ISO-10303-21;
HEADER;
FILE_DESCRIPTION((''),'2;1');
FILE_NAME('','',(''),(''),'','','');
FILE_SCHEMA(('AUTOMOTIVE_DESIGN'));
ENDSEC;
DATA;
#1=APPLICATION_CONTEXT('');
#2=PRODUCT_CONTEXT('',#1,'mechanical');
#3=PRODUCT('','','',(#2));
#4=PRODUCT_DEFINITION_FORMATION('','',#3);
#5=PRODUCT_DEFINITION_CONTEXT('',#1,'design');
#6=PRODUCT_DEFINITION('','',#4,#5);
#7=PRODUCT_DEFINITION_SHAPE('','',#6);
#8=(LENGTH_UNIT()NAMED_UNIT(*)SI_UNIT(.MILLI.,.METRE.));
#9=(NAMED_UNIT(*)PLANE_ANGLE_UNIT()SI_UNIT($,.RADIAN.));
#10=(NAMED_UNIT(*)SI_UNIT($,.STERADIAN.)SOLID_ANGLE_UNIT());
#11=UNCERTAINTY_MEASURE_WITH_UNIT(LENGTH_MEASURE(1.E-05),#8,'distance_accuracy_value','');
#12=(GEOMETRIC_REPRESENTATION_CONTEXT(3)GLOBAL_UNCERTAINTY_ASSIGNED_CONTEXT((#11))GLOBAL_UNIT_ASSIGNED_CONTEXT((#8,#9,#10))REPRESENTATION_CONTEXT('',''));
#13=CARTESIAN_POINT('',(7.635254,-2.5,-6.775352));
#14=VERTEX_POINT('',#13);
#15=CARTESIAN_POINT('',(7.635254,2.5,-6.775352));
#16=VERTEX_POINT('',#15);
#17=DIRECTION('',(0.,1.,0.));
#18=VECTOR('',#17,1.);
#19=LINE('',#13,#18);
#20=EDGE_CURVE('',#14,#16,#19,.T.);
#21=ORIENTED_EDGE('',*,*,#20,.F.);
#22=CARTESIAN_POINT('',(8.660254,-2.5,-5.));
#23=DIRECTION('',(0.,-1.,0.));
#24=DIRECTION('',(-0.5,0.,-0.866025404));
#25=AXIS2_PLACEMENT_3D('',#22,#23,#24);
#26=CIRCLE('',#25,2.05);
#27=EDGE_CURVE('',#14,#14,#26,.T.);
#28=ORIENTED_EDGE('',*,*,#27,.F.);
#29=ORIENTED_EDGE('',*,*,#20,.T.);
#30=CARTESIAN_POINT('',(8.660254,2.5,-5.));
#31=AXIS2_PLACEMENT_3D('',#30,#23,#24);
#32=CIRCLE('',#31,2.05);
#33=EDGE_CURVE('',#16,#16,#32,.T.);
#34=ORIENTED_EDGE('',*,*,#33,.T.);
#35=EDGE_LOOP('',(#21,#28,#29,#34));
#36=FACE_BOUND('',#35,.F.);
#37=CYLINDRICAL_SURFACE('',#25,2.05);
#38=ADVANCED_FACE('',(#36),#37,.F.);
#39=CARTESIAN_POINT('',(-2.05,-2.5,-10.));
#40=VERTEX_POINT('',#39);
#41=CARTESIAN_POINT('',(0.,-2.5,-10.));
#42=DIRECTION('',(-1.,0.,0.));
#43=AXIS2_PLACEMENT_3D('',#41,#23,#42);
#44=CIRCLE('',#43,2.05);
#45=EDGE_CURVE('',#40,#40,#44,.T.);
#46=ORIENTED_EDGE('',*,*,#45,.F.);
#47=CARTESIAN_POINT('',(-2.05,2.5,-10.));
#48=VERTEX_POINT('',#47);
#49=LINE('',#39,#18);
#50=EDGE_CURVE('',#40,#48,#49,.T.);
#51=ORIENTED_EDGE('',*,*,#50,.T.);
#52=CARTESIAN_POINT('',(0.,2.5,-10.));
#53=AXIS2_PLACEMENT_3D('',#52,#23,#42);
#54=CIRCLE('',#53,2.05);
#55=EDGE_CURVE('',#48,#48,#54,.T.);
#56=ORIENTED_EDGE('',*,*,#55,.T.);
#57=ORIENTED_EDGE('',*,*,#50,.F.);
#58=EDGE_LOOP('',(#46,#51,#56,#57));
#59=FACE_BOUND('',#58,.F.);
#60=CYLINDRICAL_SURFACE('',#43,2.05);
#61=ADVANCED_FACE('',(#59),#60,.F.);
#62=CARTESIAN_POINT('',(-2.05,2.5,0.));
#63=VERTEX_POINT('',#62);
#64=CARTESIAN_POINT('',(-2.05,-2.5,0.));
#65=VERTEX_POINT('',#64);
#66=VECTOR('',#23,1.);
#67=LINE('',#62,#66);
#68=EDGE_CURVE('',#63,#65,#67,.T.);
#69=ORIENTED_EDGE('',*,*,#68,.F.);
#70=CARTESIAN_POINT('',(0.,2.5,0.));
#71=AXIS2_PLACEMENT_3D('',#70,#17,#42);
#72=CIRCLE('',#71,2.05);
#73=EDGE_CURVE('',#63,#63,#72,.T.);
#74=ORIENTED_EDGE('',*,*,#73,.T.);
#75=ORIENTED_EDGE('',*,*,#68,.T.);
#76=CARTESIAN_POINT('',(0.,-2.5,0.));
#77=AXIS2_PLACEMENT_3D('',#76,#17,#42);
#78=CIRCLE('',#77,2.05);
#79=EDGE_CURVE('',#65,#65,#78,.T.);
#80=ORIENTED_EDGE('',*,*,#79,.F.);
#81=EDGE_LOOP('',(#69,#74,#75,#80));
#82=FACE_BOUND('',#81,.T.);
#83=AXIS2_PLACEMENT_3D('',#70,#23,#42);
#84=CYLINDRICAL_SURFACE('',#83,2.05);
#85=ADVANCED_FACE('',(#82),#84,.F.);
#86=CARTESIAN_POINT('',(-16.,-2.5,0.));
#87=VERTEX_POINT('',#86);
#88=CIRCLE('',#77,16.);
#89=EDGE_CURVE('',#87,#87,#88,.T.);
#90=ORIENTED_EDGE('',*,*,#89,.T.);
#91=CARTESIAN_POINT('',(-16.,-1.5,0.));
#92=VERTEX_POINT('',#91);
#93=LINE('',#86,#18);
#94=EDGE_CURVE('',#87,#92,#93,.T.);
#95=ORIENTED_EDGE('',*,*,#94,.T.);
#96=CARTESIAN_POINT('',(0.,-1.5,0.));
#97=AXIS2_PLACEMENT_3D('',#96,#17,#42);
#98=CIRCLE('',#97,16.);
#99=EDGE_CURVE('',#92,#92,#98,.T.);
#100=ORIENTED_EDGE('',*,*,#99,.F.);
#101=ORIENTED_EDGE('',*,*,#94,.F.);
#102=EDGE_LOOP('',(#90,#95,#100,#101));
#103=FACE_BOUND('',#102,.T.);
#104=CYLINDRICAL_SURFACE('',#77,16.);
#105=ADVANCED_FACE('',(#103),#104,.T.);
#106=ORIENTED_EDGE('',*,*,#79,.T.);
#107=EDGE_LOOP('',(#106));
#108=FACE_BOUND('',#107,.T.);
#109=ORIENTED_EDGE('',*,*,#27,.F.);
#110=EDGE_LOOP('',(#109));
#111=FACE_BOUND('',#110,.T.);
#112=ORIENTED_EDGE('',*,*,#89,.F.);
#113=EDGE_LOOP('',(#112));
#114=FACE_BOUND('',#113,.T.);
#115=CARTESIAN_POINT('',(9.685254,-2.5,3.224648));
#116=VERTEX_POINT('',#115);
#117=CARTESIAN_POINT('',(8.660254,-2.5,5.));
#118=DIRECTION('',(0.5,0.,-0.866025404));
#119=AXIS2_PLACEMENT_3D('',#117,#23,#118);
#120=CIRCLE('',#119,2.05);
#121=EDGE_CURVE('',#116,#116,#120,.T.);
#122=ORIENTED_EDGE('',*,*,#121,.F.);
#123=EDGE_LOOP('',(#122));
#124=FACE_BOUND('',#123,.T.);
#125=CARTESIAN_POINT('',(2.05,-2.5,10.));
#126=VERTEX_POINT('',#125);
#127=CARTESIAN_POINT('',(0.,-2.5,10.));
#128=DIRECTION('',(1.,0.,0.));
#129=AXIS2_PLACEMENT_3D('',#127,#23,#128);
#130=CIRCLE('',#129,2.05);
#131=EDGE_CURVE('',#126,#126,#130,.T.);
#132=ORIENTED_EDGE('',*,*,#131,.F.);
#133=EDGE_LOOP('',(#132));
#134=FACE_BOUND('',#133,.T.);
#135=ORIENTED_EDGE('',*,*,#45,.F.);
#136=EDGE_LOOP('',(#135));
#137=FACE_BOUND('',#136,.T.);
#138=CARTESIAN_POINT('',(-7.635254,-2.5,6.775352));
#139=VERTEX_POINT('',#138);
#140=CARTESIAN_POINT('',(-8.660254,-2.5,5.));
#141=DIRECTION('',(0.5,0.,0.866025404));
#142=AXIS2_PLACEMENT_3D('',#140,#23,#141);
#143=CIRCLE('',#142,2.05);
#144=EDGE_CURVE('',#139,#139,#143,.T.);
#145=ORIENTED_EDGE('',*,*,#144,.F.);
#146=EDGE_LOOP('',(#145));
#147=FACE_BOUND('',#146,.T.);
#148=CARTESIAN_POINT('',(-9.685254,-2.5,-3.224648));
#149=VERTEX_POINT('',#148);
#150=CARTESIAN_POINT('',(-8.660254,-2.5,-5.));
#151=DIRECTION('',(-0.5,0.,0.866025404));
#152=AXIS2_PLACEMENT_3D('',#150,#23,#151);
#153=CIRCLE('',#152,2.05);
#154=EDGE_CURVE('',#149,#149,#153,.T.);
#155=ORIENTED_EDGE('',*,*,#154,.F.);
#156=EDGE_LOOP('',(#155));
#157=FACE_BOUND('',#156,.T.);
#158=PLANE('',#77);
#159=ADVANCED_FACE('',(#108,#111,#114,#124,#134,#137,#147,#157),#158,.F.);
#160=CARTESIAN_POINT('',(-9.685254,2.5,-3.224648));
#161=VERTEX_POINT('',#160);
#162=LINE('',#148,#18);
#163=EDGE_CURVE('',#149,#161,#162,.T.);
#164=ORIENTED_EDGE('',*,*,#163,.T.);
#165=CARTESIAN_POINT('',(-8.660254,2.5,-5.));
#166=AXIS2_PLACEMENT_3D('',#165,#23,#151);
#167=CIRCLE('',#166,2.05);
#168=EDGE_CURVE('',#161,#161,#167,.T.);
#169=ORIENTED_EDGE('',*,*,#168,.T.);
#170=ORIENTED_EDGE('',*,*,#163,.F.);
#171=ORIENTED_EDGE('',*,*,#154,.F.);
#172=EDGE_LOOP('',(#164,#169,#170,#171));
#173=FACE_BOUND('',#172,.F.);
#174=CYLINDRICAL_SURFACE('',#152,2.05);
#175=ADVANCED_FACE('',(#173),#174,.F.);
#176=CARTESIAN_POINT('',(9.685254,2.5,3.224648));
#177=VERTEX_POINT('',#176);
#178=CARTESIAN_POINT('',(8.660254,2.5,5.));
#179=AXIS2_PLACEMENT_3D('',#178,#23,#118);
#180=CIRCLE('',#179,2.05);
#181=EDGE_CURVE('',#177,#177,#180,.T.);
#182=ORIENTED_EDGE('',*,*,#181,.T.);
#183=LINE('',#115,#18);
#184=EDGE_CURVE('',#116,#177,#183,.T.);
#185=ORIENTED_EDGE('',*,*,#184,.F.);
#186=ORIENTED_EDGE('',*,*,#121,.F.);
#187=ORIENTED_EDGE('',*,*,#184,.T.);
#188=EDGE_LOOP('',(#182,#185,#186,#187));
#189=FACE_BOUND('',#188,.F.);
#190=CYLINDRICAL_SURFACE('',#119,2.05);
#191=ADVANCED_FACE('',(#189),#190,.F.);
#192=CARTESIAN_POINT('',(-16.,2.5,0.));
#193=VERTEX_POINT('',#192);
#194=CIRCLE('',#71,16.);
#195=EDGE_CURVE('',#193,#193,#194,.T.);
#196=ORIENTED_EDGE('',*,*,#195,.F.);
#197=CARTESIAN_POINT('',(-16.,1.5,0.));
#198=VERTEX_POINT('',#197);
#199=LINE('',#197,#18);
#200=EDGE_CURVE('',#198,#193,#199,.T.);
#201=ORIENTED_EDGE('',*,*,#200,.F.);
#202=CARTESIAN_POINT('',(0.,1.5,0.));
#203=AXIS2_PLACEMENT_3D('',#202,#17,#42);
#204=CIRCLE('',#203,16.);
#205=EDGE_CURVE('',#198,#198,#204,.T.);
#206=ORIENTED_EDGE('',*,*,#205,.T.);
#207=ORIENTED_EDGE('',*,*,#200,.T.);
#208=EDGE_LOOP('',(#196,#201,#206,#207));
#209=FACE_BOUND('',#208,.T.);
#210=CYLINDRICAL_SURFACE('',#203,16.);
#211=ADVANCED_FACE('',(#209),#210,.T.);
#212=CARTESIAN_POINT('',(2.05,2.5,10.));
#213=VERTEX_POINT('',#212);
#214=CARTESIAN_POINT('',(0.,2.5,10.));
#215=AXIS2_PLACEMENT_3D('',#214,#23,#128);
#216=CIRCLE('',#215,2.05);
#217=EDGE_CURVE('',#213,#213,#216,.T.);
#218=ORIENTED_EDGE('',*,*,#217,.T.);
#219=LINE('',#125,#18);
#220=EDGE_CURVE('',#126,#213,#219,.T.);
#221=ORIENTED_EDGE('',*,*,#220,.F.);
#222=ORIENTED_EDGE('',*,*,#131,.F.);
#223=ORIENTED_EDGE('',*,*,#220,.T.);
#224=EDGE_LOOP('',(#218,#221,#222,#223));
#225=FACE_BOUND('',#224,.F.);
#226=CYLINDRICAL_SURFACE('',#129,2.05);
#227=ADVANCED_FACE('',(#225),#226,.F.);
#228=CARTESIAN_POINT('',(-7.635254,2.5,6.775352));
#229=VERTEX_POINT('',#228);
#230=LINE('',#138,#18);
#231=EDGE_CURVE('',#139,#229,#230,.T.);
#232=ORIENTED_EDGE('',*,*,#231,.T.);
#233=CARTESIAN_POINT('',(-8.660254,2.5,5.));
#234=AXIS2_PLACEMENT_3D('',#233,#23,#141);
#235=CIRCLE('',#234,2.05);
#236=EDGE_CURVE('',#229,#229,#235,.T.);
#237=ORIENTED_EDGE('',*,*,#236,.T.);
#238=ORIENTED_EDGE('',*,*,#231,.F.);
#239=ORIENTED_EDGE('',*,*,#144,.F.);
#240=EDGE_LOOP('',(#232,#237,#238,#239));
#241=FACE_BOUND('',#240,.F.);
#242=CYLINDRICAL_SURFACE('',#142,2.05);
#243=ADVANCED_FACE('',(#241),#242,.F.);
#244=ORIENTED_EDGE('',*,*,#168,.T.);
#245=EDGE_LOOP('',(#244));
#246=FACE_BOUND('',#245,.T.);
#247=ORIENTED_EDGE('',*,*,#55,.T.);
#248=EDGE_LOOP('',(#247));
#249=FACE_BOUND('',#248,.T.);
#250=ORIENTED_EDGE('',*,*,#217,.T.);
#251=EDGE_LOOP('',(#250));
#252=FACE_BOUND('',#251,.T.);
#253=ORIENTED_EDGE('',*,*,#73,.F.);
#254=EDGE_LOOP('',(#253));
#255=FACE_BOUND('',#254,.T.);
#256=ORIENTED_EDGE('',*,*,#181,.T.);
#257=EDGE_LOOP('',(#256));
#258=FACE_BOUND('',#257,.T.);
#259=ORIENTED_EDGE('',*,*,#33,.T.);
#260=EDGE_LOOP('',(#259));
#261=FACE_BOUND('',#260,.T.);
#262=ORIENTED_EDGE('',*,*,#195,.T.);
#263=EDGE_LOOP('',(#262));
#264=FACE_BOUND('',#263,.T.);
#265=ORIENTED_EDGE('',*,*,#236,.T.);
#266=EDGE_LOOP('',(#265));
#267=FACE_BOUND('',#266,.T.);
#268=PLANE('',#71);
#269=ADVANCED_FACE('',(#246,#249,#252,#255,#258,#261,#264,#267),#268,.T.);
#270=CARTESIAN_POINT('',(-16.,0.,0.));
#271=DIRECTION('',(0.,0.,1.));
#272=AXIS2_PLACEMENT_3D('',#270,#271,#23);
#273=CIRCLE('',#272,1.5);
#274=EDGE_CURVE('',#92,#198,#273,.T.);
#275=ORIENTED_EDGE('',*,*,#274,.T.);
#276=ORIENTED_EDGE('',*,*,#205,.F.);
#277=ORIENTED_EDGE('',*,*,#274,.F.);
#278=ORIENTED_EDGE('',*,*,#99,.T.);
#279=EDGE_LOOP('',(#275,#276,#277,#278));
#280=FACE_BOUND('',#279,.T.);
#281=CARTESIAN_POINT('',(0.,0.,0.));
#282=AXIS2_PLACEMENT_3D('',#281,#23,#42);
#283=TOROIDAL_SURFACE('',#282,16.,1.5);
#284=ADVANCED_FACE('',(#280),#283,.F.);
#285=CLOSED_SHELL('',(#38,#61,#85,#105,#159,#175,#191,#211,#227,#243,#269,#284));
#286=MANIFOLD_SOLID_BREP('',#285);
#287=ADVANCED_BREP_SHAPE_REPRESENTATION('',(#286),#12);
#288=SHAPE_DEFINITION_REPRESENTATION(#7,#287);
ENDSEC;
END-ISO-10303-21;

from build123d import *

# Parameters (mm, degrees)
SKETCH001_R        = 2.05
POCKET_DEPTH       = 96.06142
POLARPATTERN_COUNT = 6


with BuildPart() as part:
    # Sketch → Revolution (revolve)
    with BuildSketch(Plane.XY):
        with BuildLine():
            Line((-2.05, 2.5), (-2.05, -2.5))
            Line((-2.05, -2.5), (-16, -2.5))
            Line((-16, -2.5), (-16, -1.5))
            ThreePointArc((-16, -1.5), (-14.5, 0), (-16, 1.5))
            Line((-16, 1.5), (-16, 2.5))
            Line((-16, 2.5), (-2.05, 2.5))
        make_face()
    revolve(axis=Axis((0, 0, 0), (0, 1, 0)))

    # Sketch001 → Pocket (cut, through all)
    with BuildSketch(Plane.XZ.offset(2.5)):
        with Locations((0, 10)):
            Circle(SKETCH001_R)
    pocket = extrude(amount=-POCKET_DEPTH, mode=Mode.SUBTRACT)

    # PolarPattern: Pocket ×6 about axis
    polarpattern_axis = Axis((0, -2.5, 0), (0, -1, 0))
    for i in range(1, POLARPATTERN_COUNT):
        add(pocket.rotate(polarpattern_axis, i * 360 / POLARPATTERN_COUNT), mode=Mode.SUBTRACT)


solid = part.part
